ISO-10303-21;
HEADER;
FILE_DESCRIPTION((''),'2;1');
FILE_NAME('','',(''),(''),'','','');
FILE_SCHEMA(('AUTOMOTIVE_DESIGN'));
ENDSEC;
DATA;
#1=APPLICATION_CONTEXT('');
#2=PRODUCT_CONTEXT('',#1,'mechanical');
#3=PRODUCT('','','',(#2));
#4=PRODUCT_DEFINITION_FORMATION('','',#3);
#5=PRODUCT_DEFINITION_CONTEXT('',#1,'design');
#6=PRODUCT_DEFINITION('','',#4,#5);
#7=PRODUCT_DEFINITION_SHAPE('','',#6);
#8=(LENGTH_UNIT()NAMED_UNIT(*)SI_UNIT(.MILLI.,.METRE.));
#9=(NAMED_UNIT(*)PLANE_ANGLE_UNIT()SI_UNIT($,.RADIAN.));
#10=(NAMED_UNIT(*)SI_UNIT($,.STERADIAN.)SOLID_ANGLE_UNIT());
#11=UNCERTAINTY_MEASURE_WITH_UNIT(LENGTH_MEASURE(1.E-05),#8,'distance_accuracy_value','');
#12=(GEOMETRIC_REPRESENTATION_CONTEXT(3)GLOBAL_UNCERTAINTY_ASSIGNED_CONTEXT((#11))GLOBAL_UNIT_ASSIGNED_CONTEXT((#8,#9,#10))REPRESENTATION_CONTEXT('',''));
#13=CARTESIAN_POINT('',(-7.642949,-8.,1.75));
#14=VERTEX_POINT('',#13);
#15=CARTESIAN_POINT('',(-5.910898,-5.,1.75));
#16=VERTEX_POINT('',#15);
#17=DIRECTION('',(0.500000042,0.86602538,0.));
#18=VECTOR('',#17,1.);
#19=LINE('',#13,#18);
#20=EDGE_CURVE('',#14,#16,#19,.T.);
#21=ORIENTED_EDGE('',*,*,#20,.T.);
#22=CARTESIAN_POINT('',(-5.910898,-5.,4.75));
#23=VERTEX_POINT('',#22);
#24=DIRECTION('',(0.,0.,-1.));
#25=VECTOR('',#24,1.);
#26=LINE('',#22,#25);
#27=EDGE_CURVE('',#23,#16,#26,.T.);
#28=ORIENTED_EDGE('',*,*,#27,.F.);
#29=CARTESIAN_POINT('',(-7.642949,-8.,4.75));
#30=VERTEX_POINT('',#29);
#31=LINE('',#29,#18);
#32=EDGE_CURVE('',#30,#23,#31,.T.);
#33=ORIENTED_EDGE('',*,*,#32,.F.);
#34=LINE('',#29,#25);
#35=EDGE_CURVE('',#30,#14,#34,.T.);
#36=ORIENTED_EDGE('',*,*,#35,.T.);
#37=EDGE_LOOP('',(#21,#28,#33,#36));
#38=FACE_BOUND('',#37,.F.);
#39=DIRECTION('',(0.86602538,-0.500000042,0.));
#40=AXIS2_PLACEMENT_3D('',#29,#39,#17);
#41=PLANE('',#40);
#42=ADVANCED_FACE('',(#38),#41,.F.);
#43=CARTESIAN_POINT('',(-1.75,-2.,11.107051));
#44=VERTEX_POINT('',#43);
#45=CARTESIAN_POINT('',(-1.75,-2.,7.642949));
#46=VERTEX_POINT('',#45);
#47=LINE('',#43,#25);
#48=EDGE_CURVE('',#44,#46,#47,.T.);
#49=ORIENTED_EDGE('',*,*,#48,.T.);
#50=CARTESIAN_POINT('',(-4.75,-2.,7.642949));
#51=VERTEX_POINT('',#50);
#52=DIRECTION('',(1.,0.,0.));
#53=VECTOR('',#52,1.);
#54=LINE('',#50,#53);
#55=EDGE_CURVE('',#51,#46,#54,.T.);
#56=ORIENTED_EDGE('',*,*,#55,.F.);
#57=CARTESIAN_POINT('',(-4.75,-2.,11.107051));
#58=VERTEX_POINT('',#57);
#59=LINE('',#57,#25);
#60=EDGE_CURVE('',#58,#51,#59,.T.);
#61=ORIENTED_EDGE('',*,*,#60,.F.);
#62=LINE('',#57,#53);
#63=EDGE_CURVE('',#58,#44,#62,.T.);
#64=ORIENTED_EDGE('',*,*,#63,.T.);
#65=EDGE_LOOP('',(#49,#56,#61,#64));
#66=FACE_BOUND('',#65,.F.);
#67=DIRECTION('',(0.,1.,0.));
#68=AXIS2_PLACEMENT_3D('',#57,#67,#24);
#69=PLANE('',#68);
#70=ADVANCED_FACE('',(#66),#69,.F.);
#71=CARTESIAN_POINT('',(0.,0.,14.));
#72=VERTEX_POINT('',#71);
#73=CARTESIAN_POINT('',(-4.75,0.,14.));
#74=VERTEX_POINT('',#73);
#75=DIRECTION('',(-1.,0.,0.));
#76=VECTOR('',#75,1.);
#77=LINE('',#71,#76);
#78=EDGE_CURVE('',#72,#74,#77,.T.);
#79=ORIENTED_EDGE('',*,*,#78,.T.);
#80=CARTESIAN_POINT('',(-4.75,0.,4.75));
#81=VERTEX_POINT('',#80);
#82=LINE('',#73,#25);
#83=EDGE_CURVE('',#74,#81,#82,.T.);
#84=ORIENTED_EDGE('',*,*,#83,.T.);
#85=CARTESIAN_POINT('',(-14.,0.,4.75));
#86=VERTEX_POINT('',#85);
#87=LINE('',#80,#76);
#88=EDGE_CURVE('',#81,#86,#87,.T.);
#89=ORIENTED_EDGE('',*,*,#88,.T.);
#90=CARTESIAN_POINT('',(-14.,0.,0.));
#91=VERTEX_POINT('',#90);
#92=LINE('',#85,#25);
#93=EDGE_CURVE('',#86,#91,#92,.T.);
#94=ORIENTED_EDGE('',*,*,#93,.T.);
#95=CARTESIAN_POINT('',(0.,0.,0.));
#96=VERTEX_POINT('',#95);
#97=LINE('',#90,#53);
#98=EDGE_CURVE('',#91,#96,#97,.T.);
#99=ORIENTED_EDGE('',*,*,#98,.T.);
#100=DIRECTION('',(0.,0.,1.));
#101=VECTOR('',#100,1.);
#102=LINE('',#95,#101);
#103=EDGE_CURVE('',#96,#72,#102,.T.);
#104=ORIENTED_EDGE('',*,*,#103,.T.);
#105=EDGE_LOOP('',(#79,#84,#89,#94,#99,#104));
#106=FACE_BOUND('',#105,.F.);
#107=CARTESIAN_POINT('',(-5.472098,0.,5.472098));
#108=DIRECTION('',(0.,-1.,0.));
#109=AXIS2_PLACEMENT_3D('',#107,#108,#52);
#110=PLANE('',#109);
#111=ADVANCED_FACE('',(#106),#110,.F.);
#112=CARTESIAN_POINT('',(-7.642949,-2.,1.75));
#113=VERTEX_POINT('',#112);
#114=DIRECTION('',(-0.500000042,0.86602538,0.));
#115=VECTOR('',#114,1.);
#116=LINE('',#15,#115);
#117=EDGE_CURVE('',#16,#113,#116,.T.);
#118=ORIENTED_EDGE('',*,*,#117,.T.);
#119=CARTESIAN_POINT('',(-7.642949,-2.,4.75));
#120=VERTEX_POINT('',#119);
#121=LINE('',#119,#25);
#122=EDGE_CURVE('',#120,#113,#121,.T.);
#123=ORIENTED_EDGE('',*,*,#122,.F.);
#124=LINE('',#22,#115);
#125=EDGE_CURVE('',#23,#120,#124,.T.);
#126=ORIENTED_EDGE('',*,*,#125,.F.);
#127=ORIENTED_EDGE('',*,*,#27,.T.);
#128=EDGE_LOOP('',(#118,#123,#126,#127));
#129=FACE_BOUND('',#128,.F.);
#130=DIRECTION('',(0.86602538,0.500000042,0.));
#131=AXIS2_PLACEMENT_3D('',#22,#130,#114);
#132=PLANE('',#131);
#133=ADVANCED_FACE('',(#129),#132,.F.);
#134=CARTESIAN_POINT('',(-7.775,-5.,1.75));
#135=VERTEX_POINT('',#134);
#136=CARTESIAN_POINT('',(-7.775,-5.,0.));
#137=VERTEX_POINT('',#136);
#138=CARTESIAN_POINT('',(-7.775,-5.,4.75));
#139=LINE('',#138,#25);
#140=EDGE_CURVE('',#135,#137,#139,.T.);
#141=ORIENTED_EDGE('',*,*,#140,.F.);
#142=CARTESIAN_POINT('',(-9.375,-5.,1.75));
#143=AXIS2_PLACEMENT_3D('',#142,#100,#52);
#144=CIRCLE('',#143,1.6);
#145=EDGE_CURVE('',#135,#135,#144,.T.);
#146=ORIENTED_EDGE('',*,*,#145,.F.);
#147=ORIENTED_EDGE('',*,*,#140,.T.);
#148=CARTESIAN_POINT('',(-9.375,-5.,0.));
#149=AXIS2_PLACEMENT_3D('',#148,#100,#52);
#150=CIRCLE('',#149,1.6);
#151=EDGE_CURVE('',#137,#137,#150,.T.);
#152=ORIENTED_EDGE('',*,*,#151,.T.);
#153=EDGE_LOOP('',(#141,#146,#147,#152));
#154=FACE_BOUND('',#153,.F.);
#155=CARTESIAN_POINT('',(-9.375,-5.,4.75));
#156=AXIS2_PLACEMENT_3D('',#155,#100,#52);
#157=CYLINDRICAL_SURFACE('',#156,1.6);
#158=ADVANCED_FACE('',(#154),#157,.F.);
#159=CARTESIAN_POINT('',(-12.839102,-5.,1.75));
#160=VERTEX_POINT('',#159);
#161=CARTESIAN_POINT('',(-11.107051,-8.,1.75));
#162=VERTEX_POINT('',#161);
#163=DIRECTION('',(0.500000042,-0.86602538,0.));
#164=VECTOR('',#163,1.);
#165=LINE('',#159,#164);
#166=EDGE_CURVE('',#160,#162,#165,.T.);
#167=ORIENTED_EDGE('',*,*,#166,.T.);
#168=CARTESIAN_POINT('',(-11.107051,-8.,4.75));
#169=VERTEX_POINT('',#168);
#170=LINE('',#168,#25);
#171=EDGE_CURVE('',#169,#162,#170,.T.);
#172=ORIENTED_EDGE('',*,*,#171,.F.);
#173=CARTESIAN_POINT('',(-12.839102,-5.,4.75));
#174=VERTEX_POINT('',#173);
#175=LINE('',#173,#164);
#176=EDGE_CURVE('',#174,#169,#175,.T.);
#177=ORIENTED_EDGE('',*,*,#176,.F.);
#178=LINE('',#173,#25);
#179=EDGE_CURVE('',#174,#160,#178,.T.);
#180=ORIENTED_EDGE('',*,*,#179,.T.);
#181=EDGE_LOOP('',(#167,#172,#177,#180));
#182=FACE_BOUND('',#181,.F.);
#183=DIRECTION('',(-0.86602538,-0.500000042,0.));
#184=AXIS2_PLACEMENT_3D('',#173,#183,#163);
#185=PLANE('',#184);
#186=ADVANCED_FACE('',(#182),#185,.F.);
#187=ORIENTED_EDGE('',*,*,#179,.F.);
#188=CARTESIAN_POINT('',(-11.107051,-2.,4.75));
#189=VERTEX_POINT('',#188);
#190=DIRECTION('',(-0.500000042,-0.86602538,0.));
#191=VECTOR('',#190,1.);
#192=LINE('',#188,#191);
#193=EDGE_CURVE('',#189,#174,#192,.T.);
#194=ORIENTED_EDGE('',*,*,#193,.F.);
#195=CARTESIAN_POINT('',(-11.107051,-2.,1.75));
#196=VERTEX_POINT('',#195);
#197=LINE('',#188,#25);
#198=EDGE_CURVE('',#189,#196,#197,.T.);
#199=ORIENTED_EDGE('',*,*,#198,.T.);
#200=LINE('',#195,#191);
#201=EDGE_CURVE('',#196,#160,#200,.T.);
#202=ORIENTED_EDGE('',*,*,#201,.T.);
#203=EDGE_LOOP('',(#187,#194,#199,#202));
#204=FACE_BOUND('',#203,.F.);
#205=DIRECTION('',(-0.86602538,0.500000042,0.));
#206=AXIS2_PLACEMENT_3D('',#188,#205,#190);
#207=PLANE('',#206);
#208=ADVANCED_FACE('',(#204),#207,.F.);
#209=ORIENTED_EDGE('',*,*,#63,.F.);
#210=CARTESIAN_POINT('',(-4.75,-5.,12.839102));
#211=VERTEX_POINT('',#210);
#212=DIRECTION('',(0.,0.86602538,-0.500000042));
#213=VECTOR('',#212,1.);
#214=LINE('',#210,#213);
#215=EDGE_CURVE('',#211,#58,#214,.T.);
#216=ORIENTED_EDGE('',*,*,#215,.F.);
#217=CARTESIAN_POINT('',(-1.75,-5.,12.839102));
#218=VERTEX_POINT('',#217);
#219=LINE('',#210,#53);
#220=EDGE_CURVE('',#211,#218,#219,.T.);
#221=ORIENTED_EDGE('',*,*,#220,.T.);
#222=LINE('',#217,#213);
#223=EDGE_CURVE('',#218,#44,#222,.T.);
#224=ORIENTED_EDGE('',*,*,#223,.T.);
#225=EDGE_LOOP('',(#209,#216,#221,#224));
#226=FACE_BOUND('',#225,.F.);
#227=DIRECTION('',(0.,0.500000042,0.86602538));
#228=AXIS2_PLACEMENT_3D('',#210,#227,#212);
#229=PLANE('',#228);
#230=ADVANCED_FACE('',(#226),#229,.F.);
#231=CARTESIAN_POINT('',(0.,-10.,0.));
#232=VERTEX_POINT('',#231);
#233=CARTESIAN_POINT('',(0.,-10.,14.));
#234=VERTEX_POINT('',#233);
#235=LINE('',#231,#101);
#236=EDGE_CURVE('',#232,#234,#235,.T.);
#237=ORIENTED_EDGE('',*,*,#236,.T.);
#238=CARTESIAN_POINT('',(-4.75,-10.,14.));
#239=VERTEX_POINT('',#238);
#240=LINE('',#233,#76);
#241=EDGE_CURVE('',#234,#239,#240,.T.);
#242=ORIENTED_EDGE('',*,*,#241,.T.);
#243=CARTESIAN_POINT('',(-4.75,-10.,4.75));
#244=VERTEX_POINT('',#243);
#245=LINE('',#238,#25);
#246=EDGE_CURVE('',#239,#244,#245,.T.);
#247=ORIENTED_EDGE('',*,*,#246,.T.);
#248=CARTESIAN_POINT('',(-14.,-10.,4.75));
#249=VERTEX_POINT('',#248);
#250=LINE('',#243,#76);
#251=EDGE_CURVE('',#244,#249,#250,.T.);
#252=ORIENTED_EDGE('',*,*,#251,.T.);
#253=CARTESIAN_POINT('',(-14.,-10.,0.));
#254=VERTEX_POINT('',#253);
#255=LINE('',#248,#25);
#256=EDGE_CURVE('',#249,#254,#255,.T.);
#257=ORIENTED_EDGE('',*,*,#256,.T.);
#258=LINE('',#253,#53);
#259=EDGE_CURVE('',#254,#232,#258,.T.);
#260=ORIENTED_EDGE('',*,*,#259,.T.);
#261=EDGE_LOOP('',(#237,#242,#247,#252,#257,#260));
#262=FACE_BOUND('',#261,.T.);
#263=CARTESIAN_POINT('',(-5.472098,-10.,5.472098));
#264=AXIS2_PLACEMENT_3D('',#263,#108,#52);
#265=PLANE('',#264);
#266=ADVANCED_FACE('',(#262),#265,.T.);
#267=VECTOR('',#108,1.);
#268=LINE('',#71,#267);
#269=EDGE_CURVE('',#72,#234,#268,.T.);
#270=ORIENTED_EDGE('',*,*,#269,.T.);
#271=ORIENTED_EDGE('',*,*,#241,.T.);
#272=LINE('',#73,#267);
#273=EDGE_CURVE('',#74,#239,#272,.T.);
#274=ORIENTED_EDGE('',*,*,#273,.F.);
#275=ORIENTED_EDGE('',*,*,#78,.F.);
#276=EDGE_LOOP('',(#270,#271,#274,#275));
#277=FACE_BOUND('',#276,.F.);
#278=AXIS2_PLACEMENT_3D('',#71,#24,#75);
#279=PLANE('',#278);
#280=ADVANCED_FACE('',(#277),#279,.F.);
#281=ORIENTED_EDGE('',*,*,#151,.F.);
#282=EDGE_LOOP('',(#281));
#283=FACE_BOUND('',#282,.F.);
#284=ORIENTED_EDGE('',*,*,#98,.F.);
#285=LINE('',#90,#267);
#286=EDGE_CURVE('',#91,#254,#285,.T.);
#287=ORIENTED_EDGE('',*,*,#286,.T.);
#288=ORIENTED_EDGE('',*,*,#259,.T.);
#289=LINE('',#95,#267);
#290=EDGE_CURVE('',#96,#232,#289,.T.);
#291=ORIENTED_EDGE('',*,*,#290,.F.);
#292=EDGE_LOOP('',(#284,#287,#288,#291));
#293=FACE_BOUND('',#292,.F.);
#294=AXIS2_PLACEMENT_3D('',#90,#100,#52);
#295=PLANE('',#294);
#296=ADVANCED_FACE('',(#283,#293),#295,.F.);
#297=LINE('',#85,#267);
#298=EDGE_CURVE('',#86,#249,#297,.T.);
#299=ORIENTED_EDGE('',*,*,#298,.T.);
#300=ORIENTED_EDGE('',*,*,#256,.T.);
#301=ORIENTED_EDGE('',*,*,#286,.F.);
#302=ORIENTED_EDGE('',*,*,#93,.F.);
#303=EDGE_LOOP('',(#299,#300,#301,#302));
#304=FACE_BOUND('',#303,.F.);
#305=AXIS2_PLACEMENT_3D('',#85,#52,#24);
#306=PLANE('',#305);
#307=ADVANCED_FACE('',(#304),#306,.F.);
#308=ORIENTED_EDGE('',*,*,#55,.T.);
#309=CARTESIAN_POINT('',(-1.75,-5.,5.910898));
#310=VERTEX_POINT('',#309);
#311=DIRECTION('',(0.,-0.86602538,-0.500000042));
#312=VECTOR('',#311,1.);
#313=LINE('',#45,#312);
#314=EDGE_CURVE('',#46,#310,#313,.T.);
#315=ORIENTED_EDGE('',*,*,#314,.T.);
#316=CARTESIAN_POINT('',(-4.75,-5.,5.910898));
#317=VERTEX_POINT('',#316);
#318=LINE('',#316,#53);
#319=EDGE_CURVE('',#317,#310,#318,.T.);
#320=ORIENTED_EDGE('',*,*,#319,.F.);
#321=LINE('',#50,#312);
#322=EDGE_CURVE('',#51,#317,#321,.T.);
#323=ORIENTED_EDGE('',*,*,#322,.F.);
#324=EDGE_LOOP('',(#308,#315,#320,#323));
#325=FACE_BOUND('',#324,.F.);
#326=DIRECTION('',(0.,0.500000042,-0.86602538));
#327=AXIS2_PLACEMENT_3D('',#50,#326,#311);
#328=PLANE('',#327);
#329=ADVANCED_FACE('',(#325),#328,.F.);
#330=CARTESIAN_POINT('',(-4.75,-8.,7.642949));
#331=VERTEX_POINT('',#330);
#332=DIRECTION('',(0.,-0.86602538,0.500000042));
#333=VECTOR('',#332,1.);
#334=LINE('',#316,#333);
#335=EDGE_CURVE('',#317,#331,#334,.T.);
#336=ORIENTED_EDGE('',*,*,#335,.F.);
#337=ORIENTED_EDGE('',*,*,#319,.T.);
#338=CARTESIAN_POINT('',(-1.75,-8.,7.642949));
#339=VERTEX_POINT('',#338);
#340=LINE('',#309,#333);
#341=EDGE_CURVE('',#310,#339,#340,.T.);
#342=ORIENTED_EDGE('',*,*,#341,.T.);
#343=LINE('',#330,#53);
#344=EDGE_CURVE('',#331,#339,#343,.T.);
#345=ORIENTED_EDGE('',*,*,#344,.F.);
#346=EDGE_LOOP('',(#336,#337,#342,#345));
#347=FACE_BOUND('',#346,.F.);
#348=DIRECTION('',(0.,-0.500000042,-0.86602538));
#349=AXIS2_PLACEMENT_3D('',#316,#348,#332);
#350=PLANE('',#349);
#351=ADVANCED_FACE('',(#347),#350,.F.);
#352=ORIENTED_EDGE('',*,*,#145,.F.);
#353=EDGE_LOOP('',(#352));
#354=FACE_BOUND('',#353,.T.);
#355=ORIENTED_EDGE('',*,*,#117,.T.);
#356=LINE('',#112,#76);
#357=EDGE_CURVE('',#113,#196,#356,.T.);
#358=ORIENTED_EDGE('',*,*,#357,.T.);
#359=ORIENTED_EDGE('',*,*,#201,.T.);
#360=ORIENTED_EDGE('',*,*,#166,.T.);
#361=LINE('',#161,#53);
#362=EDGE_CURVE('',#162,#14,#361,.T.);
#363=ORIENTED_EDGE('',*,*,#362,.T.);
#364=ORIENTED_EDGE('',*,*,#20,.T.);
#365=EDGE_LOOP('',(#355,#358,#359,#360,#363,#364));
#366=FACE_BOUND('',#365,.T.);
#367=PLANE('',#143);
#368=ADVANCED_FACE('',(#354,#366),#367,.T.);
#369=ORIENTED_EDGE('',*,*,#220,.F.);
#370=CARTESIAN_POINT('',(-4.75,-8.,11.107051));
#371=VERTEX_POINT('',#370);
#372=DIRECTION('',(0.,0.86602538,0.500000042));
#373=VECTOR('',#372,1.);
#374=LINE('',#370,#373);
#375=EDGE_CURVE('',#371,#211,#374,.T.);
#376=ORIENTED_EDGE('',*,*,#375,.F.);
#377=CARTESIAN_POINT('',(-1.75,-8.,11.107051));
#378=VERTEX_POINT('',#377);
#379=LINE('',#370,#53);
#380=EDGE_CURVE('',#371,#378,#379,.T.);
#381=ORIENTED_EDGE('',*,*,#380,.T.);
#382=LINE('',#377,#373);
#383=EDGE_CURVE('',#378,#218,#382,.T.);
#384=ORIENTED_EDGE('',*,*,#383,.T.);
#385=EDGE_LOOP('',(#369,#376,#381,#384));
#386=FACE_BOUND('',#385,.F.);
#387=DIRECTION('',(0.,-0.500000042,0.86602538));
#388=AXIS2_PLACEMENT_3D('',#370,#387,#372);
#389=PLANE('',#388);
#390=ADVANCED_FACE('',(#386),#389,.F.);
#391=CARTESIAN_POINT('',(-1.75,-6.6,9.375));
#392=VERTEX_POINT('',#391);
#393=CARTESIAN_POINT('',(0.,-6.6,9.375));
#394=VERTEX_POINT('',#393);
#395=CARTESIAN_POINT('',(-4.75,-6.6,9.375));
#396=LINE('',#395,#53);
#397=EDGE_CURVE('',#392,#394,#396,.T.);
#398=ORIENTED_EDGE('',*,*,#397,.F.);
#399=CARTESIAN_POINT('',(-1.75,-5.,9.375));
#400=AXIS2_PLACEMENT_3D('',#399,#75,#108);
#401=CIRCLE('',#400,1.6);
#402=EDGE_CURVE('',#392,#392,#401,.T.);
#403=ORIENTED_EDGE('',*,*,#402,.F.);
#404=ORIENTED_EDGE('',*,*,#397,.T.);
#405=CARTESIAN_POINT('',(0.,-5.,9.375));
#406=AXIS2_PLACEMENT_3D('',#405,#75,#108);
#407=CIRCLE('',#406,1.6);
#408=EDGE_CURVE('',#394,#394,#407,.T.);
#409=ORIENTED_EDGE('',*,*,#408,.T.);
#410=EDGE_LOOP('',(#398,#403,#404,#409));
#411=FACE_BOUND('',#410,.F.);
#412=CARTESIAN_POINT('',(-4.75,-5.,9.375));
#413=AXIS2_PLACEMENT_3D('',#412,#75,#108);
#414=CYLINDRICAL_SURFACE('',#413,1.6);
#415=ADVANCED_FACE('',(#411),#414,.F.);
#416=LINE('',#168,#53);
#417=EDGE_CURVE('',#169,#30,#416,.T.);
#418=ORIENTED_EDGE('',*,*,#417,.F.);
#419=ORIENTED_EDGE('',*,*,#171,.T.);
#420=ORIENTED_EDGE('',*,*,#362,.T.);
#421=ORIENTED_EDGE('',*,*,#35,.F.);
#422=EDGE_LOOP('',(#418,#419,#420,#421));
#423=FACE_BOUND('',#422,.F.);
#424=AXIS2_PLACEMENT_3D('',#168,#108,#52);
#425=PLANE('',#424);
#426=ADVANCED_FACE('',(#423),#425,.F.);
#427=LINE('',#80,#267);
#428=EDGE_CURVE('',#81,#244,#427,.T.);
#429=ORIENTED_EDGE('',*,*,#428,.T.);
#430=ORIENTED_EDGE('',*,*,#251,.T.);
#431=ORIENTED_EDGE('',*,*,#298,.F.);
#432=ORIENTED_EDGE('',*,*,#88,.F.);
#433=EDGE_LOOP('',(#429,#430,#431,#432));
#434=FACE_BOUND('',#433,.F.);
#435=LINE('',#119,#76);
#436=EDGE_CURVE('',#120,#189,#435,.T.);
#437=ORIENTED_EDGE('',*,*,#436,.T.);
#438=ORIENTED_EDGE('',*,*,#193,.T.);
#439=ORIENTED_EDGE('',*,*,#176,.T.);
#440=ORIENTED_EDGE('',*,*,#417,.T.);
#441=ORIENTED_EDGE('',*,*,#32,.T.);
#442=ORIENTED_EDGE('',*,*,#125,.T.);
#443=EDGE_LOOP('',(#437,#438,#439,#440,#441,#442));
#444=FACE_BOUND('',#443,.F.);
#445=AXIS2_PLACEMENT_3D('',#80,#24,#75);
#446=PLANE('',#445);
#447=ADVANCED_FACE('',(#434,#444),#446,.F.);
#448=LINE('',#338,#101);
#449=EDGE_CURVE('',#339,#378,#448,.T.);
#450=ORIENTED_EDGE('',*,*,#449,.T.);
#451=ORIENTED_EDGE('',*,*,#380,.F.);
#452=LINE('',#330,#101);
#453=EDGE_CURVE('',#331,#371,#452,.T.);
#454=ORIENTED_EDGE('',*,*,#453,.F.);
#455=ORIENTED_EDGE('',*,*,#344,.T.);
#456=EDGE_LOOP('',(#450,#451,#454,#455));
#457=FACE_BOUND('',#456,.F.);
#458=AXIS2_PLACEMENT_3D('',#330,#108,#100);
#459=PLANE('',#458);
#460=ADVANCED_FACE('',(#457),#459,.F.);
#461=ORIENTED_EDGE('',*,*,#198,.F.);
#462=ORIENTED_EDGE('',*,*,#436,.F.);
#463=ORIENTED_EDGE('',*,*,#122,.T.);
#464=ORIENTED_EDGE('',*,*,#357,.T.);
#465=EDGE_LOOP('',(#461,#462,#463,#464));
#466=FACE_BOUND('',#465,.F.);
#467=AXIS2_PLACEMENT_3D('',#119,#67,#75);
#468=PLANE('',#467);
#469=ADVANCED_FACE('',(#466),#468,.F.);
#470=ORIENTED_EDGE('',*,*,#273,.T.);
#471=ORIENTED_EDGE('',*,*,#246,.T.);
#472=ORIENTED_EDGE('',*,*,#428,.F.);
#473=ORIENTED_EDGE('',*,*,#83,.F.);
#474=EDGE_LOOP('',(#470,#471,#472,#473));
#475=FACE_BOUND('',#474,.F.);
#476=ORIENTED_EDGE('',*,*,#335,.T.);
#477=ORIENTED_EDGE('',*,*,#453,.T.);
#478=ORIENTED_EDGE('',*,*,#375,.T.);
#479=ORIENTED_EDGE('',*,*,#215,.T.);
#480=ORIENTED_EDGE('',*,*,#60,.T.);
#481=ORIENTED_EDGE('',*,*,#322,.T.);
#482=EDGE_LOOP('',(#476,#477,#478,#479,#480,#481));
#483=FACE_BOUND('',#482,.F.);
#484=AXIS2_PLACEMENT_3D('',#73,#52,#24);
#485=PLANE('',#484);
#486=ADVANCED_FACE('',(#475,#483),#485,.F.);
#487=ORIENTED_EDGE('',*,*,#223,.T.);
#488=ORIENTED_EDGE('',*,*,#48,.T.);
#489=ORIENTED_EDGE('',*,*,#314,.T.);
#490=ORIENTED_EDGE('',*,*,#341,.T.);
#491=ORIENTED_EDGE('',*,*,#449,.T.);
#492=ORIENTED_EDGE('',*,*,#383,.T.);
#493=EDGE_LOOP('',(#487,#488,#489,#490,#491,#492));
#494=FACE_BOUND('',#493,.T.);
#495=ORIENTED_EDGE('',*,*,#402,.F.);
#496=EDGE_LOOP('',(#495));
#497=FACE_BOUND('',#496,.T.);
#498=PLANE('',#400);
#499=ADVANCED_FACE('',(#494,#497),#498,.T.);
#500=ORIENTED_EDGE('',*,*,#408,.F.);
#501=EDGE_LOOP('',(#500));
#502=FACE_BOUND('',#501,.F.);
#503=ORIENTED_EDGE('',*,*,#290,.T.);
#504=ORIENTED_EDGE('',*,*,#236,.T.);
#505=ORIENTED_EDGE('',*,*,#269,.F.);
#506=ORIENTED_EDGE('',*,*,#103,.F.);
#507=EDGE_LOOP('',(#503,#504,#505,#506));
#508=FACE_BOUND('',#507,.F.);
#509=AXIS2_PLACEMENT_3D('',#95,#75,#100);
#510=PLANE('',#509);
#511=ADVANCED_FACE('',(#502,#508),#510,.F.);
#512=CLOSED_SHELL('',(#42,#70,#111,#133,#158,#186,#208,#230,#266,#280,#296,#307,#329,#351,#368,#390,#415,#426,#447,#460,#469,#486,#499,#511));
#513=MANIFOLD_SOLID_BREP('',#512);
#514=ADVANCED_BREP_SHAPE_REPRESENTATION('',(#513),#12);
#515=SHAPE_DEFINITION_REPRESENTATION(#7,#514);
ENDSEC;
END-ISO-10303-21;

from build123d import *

# Parameters (mm, degrees)
F1_DEPTH  = 10
F2_R      = 1.6
F3_DEPTH  = 3
F3_FACE_R = 1.6
F4_DEPTH  = 25
F5_R      = 1.6
F6_DEPTH  = 3
F6_FACE_R = 1.6
F7_DEPTH  = 25


with BuildPart() as f1:
    # F0 (on Front) → F1 (new body)
    with BuildSketch(Plane.XZ):
        Polygon((-14, 0), (0, 0), (0, 14), (-4.75, 14), (-4.75, 4.75), (-14, 4.75), align=None)
    extrude(amount=F1_DEPTH)

    # F2 (on face) → F3 (cut)
    with BuildSketch(Plane(origin=(-4.75, 0, 0), x_dir=(0, -1, 0), z_dir=(-1, 0, 0))):
        Polygon((2, 11.107051), (2, 7.642949), (5, 5.910898), (8, 7.642949), (8, 11.107051), (5, 12.839102), align=None)
        with Locations((5, 9.375)):
            Circle(F2_R, mode=Mode.SUBTRACT)
    extrude(amount=-F3_DEPTH, mode=Mode.SUBTRACT)

    # F3_face (on face) → F4 (cut)
    with BuildSketch(Plane(origin=(-4.75, -5, 9.375), x_dir=(0, -1, 0), z_dir=(-1, 0, 0))):
        Circle(F3_FACE_R)
    extrude(amount=-F4_DEPTH, mode=Mode.SUBTRACT)

    # F5 (on face) → F6 (cut)
    with BuildSketch(Plane.XY.offset(4.75)):
        Polygon((-11.107051, -8), (-7.642949, -8), (-5.910898, -5), (-7.642949, -2), (-11.107051, -2), (-12.839102, -5), align=None)
        with Locations((-9.375, -5)):
            Circle(F5_R, mode=Mode.SUBTRACT)
    extrude(amount=-F6_DEPTH, mode=Mode.SUBTRACT)

    # F6_face (on face) → F7 (cut)
    with BuildSketch(Plane(origin=(-9.375, -5, 4.75), x_dir=(1, 0, 0), z_dir=(0, 0, 1))):
        Circle(F6_FACE_R)
    extrude(amount=-F7_DEPTH, mode=Mode.SUBTRACT)


solid = f1.part
